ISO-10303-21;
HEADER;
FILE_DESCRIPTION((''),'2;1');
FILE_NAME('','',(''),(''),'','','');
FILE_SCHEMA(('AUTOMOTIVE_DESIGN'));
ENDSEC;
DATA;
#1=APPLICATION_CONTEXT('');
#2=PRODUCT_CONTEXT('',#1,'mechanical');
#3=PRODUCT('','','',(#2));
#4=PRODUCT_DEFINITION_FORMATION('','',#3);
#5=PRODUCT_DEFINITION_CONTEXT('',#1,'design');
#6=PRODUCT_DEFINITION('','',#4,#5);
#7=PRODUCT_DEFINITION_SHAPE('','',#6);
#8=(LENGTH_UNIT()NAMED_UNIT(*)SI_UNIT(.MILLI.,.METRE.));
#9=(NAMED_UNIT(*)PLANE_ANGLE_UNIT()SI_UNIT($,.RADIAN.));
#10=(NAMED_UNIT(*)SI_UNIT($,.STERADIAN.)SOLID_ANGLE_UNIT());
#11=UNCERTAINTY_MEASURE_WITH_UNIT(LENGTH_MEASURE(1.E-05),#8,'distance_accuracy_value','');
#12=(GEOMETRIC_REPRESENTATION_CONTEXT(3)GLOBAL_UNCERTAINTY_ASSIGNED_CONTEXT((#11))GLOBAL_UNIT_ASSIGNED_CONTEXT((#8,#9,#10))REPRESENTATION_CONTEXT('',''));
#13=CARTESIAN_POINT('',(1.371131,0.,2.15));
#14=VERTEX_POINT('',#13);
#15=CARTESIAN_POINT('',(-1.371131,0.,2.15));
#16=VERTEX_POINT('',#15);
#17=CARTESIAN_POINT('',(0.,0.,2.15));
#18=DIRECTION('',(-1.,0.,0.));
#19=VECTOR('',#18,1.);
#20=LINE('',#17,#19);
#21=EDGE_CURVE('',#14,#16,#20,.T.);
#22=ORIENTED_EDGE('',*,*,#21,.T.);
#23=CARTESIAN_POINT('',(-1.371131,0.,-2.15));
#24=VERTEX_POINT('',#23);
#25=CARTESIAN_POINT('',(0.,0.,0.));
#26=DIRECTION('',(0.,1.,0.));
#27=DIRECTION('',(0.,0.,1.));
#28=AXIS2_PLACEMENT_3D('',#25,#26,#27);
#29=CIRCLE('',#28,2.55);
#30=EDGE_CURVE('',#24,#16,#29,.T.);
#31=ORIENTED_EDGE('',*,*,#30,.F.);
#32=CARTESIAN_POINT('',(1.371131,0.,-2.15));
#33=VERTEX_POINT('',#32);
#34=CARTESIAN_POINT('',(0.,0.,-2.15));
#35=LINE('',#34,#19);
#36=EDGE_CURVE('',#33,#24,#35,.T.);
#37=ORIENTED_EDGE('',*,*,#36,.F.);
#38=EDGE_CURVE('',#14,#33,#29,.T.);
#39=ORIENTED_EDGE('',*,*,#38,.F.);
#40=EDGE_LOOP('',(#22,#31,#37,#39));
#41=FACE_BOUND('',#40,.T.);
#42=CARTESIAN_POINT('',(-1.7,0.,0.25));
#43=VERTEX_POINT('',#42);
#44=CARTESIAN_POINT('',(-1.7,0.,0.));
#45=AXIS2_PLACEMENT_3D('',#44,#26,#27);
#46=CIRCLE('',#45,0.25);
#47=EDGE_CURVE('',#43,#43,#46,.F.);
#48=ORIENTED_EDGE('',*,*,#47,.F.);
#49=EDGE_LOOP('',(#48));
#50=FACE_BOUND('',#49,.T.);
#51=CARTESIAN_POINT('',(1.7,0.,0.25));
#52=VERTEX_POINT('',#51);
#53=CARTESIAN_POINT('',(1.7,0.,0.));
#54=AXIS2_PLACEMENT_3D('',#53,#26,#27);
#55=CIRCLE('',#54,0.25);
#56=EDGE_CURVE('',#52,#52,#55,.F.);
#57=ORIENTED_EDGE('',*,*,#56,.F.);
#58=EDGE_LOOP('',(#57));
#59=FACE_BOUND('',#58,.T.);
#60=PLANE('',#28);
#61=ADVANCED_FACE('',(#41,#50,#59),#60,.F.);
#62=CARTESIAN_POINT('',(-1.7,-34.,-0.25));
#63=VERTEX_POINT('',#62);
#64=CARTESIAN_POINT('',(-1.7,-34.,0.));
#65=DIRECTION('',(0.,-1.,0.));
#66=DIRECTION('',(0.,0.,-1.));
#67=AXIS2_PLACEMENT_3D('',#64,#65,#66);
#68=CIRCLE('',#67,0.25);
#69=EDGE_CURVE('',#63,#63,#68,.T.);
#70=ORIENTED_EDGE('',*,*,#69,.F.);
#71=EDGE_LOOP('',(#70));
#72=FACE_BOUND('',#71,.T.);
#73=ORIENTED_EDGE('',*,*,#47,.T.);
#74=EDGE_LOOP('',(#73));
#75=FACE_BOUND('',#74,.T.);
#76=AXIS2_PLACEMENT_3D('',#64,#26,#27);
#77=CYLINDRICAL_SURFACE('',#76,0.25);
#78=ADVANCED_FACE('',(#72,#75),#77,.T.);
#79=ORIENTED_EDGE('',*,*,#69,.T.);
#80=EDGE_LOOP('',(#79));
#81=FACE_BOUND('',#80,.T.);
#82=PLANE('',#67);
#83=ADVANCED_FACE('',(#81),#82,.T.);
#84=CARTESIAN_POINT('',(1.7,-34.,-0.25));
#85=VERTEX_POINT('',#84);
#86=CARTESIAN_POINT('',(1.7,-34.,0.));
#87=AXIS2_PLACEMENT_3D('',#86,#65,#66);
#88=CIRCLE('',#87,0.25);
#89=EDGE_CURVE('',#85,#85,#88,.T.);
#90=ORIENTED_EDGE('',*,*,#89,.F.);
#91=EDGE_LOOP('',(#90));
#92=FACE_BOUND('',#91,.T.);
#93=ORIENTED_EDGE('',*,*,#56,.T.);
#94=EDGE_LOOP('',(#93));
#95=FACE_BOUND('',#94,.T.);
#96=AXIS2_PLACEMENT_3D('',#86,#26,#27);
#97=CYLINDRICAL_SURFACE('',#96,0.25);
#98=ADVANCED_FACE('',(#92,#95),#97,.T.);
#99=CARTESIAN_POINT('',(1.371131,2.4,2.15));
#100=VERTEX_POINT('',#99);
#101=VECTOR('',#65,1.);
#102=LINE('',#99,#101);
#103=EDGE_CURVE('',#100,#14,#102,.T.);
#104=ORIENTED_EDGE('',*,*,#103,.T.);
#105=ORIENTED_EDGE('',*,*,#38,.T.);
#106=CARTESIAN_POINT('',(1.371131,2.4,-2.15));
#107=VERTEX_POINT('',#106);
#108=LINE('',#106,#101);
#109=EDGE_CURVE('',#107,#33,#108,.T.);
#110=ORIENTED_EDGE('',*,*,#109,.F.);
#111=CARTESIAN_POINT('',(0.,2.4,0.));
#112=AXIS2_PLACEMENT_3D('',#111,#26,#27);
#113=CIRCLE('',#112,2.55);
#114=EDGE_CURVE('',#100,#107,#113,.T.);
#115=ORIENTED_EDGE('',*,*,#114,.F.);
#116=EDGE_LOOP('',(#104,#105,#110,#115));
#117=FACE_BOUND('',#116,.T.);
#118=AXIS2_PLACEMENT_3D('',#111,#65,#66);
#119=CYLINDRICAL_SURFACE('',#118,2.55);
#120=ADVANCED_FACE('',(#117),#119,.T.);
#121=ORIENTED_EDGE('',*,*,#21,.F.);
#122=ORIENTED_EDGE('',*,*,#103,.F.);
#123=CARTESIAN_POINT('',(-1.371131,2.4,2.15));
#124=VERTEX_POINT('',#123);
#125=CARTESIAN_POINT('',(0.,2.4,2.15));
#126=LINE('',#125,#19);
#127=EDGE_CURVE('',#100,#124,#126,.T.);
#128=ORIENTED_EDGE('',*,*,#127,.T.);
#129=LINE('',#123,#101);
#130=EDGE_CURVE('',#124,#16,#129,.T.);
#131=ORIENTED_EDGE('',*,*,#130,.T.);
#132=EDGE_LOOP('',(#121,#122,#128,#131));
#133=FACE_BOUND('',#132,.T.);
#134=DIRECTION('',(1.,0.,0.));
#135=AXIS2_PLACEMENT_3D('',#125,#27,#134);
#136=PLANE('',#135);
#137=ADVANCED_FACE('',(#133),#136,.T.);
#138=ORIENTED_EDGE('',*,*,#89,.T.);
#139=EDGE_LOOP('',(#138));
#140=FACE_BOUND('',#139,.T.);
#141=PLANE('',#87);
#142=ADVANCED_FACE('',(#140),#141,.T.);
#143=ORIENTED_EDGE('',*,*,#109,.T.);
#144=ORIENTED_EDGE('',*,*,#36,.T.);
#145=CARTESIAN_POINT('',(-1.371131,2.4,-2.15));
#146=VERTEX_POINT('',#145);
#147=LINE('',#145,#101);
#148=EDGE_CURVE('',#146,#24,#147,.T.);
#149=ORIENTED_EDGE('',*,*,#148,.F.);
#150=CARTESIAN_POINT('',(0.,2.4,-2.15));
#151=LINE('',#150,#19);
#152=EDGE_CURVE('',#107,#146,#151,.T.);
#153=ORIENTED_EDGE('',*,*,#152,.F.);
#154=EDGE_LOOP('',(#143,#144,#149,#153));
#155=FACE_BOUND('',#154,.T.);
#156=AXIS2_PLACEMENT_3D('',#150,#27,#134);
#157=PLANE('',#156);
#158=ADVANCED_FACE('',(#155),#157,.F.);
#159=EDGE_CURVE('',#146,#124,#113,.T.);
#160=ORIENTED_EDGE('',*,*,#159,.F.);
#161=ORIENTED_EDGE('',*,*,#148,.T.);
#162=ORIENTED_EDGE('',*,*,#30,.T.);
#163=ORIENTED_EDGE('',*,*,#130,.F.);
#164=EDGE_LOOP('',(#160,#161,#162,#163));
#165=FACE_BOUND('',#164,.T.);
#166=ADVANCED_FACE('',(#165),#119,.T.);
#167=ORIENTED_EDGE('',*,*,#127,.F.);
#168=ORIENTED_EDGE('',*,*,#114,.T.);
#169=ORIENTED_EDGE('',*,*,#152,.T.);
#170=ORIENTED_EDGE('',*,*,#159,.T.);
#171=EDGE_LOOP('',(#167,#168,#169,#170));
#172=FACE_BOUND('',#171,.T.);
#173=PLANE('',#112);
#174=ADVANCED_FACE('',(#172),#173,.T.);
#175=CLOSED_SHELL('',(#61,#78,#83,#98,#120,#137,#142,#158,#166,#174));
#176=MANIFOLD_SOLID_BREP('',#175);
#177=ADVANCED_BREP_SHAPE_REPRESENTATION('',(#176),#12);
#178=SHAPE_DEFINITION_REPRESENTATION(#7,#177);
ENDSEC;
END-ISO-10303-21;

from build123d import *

# Parameters (mm, degrees)
BOSS_EXTRUDE1_DEPTH = 2.4
SKETCH2_R           = 0.25
BOSS_EXTRUDE2_DEPTH = 34


with BuildPart() as part:
    # Sketch1 → Boss-Extrude1 (new body)
    with BuildSketch(Plane(origin=(0, 0, 0), x_dir=(1, 0, 0), z_dir=(0, 1, 0))):
        with BuildLine():
            ThreePointArc((2.55, 0), (2.235943184, 1.22599269), (1.37113092, 2.15))
            Line((1.37113092, 2.15), (-1.37113092, 2.15))
            ThreePointArc((-1.37113092, 2.15), (-2.235943184, 1.22599269), (-2.55, 0))
            ThreePointArc((-2.55, 0), (-2.235943184, -1.22599269), (-1.37113092, -2.15))
            Line((-1.37113092, -2.15), (1.37113092, -2.15))
            ThreePointArc((1.37113092, -2.15), (2.235943184, -1.22599269), (2.55, 0))
        make_face()
    extrude(amount=BOSS_EXTRUDE1_DEPTH)

    # Sketch2 → Boss-Extrude2 (add)
    with BuildSketch(Plane.XZ):
        with Locations(Location((-1.7, 0, 0), (0, 0, 90))):
            Circle(SKETCH2_R)
        with Locations(Location((1.7, 0, 0), (0, 0, 90))):
            Circle(SKETCH2_R)
    extrude(amount=BOSS_EXTRUDE2_DEPTH)


solid = part.part
